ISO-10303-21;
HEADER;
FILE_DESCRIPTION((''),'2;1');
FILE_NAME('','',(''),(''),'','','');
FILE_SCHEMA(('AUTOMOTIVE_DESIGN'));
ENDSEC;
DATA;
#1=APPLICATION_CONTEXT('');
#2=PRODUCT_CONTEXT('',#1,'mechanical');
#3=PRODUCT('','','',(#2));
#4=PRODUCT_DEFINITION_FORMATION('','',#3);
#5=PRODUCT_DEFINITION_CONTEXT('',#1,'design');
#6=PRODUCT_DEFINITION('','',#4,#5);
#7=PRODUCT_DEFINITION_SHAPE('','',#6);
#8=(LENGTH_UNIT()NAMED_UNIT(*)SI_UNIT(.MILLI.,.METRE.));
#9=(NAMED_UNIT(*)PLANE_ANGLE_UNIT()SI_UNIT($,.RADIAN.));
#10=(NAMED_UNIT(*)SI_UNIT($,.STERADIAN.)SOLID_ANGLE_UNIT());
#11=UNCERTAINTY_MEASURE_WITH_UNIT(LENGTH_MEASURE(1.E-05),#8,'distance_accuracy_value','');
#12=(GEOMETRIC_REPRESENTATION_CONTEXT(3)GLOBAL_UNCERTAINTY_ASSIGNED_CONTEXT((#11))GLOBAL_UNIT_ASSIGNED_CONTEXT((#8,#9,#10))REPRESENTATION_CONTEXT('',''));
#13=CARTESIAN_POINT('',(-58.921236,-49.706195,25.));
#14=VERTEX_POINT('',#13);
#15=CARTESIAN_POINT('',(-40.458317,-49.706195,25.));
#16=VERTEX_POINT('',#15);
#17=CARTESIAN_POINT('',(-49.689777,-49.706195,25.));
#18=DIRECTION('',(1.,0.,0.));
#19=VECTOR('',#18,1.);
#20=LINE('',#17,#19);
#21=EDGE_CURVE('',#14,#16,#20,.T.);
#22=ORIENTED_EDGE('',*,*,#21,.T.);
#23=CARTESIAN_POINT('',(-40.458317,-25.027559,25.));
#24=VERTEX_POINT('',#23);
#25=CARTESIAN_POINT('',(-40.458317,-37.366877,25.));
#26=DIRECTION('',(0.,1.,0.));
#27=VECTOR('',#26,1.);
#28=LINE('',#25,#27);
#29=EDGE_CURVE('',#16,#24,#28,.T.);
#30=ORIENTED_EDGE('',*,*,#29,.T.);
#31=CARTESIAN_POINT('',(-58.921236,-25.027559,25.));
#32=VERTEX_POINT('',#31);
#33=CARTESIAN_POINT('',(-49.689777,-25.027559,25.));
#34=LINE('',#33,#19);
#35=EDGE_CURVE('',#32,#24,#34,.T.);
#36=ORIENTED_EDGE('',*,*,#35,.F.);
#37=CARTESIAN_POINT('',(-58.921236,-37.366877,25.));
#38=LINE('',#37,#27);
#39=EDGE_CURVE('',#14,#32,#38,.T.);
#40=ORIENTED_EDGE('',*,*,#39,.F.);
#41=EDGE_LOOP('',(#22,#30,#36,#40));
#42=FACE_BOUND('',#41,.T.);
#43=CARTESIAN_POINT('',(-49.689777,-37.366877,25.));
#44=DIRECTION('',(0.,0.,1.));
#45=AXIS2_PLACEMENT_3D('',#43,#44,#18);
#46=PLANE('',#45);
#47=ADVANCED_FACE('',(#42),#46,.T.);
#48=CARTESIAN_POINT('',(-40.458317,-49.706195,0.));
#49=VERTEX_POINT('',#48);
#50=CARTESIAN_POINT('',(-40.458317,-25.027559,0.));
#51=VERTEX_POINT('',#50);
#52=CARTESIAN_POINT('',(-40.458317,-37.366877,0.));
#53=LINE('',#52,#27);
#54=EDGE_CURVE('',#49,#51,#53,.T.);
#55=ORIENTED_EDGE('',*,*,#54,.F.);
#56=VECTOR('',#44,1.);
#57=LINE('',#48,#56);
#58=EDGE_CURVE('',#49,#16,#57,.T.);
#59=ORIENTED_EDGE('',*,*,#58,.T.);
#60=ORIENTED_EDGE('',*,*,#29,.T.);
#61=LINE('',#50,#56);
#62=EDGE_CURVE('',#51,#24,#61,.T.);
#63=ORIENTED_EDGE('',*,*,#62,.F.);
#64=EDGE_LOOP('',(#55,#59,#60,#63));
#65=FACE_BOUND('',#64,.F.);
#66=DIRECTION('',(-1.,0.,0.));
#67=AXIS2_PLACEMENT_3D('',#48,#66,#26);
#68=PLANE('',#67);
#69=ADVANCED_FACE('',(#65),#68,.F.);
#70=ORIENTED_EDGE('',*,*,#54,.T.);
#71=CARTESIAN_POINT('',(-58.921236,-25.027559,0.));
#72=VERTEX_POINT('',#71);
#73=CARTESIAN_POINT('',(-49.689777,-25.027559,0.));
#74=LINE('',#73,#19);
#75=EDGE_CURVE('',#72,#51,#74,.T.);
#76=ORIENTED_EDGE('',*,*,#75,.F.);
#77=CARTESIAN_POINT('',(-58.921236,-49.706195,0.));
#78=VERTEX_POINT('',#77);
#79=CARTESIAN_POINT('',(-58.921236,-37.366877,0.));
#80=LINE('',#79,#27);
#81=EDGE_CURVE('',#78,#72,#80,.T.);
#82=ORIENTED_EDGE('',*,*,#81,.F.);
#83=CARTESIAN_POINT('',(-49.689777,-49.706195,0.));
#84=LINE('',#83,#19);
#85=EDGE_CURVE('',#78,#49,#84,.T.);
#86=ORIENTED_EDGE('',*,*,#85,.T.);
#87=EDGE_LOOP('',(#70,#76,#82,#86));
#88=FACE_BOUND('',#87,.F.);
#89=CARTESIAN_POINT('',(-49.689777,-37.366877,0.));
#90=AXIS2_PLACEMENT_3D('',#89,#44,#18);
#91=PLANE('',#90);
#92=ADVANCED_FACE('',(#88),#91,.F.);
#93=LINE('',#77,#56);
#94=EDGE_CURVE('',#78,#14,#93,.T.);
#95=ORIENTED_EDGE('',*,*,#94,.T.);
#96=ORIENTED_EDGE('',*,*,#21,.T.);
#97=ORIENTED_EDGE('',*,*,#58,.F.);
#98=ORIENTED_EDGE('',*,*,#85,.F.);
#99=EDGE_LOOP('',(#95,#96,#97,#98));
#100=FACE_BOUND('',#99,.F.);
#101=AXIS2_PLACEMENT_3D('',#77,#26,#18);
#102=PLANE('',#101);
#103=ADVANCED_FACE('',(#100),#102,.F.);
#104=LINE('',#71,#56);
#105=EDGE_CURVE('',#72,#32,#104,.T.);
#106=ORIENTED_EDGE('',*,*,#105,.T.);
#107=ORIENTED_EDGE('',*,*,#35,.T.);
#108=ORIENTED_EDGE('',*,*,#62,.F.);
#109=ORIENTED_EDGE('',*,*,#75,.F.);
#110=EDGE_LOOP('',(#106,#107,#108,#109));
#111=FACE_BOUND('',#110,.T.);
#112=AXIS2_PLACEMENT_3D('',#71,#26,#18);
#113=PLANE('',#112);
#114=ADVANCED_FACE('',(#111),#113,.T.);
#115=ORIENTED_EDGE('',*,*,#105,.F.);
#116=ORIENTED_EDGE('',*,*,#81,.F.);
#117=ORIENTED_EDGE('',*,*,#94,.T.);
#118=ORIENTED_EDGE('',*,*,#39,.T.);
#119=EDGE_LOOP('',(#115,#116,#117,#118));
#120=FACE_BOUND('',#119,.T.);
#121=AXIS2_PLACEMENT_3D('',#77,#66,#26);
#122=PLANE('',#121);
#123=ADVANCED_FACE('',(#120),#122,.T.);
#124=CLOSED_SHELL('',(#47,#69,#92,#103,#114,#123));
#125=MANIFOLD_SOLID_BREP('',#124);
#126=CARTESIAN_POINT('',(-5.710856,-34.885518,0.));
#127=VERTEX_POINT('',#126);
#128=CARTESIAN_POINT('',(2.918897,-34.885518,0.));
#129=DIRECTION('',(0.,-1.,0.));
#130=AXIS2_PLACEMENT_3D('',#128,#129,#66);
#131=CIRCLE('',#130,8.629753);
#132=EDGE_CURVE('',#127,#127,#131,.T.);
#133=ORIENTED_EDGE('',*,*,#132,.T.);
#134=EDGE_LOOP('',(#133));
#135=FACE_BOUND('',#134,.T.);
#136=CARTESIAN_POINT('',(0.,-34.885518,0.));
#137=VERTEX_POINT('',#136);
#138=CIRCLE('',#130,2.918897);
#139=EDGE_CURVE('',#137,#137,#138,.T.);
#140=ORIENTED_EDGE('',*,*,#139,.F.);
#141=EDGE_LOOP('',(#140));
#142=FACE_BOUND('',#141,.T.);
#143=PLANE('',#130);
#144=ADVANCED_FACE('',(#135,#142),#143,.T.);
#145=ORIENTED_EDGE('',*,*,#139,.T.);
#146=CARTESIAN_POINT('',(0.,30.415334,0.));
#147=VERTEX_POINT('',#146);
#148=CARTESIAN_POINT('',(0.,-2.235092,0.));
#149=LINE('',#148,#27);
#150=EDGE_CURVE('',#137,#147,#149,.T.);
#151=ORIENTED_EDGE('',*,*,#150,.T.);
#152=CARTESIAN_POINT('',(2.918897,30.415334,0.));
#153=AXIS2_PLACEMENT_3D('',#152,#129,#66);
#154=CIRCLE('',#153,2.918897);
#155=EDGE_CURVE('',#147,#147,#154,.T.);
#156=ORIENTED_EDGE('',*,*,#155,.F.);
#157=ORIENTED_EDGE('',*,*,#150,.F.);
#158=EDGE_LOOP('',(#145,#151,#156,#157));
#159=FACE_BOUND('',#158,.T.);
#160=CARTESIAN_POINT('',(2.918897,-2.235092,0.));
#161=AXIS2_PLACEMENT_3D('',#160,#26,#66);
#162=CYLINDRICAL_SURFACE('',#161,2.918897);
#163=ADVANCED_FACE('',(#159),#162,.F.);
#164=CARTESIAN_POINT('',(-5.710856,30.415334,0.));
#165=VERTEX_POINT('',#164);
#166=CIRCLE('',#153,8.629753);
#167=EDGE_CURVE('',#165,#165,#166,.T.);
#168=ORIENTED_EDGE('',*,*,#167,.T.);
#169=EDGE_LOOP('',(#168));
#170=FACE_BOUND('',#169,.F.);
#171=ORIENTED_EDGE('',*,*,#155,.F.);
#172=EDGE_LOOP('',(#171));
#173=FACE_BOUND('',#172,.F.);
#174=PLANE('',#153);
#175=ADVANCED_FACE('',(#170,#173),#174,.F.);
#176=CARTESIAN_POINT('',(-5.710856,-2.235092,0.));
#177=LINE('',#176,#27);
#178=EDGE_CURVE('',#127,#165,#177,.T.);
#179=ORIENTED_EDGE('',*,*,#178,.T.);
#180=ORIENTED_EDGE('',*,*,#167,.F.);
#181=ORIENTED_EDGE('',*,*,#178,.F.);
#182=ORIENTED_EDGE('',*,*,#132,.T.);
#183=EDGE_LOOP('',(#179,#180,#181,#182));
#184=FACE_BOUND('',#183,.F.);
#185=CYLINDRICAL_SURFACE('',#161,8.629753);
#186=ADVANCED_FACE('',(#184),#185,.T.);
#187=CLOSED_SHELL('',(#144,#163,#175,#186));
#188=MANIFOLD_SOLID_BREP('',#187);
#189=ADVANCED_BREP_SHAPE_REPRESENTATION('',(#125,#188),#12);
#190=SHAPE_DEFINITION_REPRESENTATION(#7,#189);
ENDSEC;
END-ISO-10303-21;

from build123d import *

# Parameters (mm, degrees)
F0_W     = 18.462919
F0_H     = 24.678637
F1_DEPTH = 25
F2_W     = 5.710856
F2_H     = 65.300852


with BuildPart() as f1:
    # F0 (on Top) → F1 (new body)
    with BuildSketch(Plane.XY):
        with Locations((-49.689777, -37.366877)):
            Rectangle(F0_W, F0_H)
    extrude(amount=F1_DEPTH)


with BuildPart() as f3:
    # F2 (on Top) → F3 (revolve)
    with BuildSketch(Plane.XY):
        with Locations((-2.855428, -2.235092)):
            Rectangle(F2_W, F2_H)
    revolve(axis=Axis((2.918897, -2.405457, 0), (0, -1, 0)))


solid = Compound([f1.part, f3.part])
